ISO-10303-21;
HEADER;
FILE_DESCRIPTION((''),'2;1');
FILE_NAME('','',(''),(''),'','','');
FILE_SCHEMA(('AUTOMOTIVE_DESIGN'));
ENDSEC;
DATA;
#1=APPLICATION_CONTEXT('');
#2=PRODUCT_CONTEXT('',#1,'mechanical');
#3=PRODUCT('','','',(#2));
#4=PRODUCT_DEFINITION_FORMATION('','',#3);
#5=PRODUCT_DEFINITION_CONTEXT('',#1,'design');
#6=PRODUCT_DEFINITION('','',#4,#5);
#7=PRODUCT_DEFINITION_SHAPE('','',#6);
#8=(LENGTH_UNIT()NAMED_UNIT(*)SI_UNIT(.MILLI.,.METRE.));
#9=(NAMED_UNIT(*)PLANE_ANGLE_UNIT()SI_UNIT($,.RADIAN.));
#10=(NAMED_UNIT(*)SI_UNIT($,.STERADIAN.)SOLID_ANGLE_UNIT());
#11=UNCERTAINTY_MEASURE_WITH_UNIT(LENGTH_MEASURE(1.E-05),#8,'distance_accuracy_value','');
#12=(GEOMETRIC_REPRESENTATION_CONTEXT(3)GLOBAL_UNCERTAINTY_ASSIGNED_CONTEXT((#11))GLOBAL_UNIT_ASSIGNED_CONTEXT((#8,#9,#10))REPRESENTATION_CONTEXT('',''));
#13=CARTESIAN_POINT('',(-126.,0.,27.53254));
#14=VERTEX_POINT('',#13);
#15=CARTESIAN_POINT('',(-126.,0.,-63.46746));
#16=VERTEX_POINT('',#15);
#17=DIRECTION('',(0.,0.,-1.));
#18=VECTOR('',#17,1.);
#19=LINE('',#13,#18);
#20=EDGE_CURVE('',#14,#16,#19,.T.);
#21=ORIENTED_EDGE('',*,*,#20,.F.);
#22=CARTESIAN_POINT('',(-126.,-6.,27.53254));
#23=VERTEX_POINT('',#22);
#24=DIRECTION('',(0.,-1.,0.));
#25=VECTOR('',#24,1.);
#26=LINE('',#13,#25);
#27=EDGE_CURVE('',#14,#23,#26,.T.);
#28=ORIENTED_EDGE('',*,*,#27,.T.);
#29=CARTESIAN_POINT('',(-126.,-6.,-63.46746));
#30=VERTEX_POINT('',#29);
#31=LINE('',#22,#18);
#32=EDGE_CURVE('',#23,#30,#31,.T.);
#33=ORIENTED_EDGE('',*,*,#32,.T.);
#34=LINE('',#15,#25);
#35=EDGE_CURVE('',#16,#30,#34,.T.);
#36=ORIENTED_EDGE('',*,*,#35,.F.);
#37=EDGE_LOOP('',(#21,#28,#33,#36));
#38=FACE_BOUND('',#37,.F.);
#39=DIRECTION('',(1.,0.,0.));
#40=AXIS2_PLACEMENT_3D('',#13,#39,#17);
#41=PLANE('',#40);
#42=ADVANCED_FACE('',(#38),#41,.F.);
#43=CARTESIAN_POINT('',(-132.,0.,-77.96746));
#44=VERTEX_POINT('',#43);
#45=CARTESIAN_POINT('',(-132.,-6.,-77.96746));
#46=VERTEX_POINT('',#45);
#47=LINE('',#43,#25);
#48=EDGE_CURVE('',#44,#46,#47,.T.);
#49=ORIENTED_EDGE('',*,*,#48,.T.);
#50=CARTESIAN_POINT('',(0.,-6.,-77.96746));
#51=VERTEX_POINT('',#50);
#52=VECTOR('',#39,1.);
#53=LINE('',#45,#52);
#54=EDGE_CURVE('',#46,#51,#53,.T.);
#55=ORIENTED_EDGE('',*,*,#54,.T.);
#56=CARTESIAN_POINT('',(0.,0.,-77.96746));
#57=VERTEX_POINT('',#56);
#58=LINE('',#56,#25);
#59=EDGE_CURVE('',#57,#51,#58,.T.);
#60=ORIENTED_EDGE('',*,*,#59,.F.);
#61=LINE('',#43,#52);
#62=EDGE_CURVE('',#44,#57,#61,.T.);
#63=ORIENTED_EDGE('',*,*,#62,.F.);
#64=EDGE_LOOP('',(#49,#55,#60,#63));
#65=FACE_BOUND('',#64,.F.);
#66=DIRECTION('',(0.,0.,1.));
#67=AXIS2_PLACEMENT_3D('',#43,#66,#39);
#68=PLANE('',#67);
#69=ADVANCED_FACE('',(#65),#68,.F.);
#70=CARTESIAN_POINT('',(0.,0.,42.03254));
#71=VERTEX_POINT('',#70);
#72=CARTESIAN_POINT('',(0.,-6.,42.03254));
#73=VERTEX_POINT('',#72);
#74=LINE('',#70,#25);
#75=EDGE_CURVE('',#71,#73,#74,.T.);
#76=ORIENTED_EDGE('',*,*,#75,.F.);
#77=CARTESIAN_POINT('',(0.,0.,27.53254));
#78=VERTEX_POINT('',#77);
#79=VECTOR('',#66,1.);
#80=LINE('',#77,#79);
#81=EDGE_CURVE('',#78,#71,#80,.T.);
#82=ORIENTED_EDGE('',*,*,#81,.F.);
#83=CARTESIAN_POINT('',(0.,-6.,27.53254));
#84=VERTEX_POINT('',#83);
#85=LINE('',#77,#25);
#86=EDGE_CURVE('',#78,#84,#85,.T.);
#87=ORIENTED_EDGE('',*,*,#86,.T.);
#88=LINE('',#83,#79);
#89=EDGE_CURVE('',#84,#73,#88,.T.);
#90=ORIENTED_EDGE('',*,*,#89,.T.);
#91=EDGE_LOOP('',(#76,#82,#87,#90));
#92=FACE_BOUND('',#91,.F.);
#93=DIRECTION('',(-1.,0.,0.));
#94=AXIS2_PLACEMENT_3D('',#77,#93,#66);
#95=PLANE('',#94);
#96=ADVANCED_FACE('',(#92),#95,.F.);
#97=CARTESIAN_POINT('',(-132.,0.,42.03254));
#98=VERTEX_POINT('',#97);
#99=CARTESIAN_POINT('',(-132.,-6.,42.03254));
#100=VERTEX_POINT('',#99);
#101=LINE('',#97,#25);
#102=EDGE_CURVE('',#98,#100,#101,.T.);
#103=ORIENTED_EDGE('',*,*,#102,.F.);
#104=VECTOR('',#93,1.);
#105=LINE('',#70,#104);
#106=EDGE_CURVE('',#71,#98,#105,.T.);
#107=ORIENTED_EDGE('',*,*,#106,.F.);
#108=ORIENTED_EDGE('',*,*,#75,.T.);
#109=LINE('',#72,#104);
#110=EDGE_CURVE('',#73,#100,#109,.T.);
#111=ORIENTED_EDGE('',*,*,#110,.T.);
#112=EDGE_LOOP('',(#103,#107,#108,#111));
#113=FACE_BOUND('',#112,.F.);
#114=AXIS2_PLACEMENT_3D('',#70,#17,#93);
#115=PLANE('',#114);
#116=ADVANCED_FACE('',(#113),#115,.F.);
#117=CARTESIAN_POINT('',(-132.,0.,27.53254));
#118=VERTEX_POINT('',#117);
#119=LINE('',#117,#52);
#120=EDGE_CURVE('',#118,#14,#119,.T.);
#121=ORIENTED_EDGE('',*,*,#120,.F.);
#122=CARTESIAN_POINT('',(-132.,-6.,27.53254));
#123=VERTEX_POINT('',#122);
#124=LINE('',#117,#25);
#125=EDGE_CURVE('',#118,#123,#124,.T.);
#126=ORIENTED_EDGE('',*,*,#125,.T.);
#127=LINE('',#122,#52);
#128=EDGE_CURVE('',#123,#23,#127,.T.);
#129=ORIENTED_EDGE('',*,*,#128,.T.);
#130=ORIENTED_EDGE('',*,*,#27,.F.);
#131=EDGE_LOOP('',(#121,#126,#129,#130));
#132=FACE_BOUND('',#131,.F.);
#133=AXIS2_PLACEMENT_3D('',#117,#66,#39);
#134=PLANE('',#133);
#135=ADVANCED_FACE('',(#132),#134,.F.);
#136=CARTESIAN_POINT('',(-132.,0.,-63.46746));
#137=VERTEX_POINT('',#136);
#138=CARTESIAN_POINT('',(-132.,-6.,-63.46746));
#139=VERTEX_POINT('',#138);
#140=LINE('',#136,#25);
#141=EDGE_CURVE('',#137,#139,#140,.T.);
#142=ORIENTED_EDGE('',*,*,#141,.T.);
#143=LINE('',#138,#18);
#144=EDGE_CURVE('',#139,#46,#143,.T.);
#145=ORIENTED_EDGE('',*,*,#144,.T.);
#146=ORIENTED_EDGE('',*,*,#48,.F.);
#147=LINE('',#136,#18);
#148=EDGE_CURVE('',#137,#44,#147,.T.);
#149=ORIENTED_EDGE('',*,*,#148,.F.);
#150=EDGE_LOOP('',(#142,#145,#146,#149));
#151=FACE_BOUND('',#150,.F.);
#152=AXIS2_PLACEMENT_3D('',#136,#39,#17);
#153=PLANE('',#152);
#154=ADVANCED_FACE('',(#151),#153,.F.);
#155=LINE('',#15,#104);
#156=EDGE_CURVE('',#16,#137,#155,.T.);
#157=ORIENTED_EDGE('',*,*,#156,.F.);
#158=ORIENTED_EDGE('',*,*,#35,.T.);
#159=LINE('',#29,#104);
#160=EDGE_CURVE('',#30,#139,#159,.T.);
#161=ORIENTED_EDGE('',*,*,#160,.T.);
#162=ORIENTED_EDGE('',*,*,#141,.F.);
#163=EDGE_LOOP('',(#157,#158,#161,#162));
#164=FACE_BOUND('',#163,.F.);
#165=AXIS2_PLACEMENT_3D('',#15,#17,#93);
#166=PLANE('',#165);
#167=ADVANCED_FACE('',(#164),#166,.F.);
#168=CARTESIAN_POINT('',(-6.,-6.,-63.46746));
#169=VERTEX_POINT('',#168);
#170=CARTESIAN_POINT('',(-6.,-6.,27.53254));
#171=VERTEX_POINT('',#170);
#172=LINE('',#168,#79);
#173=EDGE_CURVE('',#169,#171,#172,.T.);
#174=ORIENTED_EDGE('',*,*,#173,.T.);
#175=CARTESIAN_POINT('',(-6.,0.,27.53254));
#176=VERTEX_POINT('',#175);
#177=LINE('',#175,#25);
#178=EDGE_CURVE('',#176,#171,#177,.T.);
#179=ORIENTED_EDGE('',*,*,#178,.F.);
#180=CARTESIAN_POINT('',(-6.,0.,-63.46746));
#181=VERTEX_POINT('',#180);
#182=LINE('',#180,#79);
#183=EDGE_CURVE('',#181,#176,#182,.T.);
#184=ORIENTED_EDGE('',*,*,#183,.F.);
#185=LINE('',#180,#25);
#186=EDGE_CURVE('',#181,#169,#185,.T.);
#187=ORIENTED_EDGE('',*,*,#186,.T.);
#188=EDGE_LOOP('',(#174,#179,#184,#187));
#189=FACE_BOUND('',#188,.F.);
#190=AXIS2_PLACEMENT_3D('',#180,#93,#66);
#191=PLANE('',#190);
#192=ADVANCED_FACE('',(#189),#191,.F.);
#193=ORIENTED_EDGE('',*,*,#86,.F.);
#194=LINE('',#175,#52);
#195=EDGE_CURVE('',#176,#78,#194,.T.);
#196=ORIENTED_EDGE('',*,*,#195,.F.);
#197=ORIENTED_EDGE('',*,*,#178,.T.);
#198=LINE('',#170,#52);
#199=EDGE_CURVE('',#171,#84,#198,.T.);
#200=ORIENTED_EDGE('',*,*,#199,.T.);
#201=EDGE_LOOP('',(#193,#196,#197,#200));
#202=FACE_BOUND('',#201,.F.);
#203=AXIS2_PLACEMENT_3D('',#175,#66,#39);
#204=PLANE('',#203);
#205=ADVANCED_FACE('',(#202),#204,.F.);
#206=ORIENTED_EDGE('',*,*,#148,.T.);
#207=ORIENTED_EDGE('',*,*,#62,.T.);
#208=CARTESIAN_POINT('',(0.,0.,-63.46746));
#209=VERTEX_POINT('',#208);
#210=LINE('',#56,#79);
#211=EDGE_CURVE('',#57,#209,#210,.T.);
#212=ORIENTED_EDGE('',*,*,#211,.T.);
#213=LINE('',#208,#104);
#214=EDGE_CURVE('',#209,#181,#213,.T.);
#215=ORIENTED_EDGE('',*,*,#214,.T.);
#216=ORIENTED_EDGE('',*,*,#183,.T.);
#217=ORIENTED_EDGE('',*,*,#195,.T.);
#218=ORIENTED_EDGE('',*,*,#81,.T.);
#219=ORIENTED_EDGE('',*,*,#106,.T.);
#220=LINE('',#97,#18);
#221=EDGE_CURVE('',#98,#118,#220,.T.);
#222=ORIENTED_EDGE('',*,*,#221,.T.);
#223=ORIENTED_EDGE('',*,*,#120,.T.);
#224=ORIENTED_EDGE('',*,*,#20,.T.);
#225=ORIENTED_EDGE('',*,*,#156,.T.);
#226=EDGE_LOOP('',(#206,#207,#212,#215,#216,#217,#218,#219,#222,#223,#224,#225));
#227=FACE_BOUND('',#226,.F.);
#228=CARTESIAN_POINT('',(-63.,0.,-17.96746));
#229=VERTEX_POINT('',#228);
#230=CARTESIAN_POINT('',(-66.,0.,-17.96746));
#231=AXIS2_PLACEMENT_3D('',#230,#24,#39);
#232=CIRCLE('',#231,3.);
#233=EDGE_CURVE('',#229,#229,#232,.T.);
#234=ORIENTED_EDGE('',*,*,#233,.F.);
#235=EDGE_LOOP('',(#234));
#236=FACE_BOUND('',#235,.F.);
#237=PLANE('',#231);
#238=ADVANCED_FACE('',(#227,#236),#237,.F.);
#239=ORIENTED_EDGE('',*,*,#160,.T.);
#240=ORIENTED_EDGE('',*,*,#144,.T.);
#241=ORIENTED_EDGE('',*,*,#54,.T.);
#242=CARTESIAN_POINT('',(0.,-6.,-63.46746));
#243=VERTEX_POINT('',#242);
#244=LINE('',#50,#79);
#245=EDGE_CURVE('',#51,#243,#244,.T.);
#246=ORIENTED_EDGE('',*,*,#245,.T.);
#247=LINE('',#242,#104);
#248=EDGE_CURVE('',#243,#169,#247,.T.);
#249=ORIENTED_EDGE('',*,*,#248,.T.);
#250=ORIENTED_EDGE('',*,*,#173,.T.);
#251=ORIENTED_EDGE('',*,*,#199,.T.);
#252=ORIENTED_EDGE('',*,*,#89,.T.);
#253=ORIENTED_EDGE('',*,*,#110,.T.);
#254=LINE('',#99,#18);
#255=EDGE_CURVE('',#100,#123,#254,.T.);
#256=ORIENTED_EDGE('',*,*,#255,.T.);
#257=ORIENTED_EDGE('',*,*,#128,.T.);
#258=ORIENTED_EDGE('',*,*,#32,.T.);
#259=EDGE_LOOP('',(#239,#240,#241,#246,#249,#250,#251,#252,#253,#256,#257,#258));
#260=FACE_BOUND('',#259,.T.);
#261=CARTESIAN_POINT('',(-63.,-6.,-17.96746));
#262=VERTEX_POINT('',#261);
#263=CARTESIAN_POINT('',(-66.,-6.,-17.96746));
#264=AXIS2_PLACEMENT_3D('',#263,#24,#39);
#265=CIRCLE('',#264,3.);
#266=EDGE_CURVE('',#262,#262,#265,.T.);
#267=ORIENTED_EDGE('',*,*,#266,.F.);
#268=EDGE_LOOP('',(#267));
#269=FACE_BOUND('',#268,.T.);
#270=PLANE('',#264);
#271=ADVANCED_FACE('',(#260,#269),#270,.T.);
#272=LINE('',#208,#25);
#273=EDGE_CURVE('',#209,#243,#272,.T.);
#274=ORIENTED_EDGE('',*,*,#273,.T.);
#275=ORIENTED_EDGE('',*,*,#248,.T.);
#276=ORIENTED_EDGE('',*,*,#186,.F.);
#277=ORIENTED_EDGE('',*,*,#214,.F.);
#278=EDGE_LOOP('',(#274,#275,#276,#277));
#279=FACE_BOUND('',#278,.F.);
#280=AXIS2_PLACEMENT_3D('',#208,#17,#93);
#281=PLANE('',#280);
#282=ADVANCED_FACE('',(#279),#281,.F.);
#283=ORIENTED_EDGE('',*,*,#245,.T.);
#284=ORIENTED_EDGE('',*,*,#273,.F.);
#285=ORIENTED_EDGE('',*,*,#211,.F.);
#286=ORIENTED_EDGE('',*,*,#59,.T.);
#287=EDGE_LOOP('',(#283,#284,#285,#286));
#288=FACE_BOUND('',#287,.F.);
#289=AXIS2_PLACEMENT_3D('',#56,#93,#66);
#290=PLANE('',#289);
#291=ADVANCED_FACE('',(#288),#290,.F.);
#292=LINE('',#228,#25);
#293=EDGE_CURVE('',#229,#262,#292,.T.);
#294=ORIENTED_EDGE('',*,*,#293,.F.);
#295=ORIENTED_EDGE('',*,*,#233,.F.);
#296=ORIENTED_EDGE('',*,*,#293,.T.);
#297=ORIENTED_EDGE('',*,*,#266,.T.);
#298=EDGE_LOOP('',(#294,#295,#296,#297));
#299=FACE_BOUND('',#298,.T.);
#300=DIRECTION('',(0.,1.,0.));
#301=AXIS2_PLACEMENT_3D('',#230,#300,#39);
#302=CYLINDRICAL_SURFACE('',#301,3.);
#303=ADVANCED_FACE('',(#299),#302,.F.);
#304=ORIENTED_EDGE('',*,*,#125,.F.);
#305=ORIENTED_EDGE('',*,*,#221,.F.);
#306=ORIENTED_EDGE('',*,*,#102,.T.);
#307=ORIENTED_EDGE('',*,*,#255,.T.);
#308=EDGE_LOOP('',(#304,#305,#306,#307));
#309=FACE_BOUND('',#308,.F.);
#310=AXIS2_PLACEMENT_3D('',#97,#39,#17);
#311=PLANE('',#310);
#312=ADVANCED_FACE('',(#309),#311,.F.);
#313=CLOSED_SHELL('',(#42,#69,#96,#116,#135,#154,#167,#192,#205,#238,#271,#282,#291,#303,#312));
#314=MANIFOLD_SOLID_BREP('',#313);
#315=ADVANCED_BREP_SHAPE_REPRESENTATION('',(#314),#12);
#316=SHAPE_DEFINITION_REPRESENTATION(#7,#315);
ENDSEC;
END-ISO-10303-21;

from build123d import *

# Parameters (mm, degrees)
F0_R     = 3
F1_DEPTH = 6


with BuildPart() as f1:
    # F0 (on Front) → F1 (new body)
    with BuildSketch(Plane.XZ):
        Polygon((0, 42.03254), (-132, 42.03254), (-132, 27.53254), (-126, 27.53254), (-126, -63.46746), (-132, -63.46746), (-132, -77.96746), (0, -77.96746), (0, -63.46746), (-6, -63.46746), (-6, 27.53254), (0, 27.53254), align=None)
        with Locations((-66, -17.96746)):
            Circle(F0_R, mode=Mode.SUBTRACT)
    extrude(amount=F1_DEPTH)


solid = f1.part
